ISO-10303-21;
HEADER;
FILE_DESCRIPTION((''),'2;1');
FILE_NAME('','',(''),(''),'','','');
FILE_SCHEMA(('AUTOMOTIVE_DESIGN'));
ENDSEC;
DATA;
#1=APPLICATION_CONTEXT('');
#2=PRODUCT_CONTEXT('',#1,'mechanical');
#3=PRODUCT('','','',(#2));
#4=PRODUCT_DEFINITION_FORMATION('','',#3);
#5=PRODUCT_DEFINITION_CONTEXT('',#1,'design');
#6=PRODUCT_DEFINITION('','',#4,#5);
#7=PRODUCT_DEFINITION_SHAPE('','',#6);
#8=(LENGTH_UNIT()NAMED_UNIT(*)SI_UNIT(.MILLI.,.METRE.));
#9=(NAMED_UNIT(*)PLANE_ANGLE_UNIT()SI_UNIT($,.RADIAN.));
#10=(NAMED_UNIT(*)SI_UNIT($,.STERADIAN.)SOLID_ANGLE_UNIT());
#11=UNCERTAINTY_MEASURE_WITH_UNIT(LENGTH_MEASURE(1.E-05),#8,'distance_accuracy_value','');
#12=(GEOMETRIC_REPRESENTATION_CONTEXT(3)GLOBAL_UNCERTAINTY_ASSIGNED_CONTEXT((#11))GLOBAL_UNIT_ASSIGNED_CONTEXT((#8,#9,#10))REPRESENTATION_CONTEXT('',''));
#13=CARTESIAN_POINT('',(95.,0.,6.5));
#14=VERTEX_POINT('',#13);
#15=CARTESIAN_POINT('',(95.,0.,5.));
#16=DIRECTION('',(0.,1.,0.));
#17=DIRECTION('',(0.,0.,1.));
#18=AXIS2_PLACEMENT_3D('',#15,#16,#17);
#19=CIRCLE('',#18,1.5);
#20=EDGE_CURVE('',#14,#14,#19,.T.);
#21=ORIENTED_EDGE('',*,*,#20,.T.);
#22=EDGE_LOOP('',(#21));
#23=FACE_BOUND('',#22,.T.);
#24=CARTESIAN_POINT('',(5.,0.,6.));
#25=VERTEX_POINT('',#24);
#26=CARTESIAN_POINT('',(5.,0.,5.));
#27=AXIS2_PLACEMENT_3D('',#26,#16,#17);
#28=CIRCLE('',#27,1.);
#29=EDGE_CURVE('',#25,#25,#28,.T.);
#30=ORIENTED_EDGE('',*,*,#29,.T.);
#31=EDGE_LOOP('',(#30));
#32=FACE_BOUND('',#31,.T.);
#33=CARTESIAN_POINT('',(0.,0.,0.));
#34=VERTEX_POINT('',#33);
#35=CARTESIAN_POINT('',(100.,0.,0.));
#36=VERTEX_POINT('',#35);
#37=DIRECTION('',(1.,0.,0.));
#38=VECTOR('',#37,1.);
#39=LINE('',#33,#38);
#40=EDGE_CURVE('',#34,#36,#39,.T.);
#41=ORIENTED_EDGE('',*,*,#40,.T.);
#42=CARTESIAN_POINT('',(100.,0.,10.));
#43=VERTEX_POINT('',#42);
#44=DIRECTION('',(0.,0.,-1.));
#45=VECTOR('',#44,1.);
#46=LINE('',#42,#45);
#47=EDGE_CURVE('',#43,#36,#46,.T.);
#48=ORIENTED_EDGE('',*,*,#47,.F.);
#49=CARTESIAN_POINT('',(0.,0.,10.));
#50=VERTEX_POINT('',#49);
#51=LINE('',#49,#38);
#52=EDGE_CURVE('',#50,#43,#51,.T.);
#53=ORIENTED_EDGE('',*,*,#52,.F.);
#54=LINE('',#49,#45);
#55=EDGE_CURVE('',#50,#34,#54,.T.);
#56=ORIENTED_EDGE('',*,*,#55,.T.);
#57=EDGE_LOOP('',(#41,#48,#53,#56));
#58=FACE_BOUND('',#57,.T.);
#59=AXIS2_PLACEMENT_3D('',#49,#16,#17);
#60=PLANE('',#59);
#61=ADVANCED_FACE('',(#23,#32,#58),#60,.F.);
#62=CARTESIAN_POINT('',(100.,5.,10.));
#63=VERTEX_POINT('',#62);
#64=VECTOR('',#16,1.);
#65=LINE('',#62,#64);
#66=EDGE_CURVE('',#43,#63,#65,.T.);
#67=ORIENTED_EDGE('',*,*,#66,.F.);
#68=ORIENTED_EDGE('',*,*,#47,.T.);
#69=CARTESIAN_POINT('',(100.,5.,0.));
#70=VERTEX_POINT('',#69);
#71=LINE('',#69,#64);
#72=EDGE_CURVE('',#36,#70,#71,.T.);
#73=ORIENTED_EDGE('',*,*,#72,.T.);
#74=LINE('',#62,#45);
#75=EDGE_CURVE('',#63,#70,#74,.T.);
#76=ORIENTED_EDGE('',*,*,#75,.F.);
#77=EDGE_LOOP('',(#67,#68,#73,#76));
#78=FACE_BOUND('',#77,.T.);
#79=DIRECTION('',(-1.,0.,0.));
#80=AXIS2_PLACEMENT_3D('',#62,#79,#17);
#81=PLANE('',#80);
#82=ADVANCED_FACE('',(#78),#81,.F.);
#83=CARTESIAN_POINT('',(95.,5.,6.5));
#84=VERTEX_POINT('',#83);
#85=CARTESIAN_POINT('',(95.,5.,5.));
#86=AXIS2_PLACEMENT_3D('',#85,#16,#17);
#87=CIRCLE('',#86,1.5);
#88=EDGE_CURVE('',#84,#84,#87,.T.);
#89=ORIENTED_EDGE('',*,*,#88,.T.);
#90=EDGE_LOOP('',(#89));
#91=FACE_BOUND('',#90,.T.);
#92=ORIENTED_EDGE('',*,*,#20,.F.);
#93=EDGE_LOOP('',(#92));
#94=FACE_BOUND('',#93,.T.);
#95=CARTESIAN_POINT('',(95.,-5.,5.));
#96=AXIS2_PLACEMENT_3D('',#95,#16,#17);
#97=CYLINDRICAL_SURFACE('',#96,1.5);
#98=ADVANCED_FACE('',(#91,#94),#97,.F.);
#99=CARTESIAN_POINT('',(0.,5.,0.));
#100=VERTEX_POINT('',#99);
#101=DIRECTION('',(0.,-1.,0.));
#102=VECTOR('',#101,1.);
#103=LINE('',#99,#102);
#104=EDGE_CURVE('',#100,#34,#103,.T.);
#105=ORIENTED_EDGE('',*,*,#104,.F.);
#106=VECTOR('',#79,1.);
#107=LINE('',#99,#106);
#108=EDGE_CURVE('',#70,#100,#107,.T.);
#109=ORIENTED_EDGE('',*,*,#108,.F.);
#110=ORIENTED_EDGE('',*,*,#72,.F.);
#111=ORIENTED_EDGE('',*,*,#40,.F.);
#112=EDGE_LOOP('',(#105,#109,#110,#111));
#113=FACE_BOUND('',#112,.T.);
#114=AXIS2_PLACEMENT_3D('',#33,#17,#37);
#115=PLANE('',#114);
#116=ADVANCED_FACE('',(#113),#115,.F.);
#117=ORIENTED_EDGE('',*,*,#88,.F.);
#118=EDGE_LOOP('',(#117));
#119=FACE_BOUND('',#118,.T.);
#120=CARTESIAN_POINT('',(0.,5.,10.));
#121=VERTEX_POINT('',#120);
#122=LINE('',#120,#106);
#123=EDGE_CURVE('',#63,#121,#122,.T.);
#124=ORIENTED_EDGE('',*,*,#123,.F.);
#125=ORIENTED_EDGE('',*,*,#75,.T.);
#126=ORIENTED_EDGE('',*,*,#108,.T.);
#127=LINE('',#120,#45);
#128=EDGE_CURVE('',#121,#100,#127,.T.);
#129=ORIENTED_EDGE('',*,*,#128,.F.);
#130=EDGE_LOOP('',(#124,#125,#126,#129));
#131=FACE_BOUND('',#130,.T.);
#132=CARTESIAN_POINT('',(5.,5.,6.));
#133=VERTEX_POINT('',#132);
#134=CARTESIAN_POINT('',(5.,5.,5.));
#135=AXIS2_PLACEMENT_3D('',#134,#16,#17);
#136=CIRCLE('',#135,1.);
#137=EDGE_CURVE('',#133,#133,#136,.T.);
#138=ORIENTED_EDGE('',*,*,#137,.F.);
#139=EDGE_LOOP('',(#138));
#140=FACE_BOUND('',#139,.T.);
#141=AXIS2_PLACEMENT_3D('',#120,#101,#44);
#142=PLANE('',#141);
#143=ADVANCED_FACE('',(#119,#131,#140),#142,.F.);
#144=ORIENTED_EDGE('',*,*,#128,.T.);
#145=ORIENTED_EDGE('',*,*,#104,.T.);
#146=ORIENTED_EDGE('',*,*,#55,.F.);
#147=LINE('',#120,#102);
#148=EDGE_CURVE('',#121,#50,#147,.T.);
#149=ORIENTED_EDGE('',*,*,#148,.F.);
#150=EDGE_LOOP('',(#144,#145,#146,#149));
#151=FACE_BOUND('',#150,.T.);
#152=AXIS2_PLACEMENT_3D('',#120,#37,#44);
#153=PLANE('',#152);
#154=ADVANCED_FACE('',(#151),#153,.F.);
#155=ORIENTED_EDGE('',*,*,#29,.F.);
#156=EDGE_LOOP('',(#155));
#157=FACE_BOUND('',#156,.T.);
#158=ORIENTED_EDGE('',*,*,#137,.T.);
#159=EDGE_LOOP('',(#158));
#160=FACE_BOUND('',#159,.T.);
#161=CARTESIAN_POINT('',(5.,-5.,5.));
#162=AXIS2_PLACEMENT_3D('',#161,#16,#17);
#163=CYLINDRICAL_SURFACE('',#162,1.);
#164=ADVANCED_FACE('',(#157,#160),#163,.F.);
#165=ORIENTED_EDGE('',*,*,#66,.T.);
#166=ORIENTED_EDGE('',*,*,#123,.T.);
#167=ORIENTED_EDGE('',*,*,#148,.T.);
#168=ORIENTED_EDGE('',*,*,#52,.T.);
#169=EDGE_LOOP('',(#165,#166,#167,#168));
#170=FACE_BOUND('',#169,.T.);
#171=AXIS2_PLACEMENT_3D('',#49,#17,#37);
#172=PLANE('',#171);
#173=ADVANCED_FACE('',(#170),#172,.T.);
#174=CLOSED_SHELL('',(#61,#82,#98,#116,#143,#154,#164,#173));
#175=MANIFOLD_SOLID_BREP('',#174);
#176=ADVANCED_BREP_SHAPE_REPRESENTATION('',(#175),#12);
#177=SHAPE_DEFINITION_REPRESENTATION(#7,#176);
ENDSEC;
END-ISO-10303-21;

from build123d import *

# Parameters (mm, degrees)
CROQUIS1_W              = 100
CROQUIS1_H              = 5
SALIENTE_EXTRUIR1_DEPTH = 10
CROQUIS2_R              = 1
CROQUIS2_R_2            = 1.5
CORTAR_EXTRUIR1_DEPTH   = 10


with BuildPart() as part:
    # Croquis1 → Saliente-Extruir1 (new body)
    with BuildSketch(Plane.XY):
        with Locations((50, 2.5)):
            Rectangle(CROQUIS1_W, CROQUIS1_H)
    extrude(amount=SALIENTE_EXTRUIR1_DEPTH)

    # Croquis2 → Cortar-Extruir1 (cut)
    with BuildSketch(Plane(origin=(0, 5, 0), x_dir=(1, 0, 0), z_dir=(0, 1, 0))):
        with Locations(Location((5, -5, 0), (0, 0, 270))):  # turned: the seam where the file's is
            Circle(CROQUIS2_R)
        with Locations(Location((95, -5, 0), (0, 0, 270))):  # turned: the seam where the file's is
            Circle(CROQUIS2_R_2)
    extrude(amount=-CORTAR_EXTRUIR1_DEPTH, mode=Mode.SUBTRACT)


solid = part.part
